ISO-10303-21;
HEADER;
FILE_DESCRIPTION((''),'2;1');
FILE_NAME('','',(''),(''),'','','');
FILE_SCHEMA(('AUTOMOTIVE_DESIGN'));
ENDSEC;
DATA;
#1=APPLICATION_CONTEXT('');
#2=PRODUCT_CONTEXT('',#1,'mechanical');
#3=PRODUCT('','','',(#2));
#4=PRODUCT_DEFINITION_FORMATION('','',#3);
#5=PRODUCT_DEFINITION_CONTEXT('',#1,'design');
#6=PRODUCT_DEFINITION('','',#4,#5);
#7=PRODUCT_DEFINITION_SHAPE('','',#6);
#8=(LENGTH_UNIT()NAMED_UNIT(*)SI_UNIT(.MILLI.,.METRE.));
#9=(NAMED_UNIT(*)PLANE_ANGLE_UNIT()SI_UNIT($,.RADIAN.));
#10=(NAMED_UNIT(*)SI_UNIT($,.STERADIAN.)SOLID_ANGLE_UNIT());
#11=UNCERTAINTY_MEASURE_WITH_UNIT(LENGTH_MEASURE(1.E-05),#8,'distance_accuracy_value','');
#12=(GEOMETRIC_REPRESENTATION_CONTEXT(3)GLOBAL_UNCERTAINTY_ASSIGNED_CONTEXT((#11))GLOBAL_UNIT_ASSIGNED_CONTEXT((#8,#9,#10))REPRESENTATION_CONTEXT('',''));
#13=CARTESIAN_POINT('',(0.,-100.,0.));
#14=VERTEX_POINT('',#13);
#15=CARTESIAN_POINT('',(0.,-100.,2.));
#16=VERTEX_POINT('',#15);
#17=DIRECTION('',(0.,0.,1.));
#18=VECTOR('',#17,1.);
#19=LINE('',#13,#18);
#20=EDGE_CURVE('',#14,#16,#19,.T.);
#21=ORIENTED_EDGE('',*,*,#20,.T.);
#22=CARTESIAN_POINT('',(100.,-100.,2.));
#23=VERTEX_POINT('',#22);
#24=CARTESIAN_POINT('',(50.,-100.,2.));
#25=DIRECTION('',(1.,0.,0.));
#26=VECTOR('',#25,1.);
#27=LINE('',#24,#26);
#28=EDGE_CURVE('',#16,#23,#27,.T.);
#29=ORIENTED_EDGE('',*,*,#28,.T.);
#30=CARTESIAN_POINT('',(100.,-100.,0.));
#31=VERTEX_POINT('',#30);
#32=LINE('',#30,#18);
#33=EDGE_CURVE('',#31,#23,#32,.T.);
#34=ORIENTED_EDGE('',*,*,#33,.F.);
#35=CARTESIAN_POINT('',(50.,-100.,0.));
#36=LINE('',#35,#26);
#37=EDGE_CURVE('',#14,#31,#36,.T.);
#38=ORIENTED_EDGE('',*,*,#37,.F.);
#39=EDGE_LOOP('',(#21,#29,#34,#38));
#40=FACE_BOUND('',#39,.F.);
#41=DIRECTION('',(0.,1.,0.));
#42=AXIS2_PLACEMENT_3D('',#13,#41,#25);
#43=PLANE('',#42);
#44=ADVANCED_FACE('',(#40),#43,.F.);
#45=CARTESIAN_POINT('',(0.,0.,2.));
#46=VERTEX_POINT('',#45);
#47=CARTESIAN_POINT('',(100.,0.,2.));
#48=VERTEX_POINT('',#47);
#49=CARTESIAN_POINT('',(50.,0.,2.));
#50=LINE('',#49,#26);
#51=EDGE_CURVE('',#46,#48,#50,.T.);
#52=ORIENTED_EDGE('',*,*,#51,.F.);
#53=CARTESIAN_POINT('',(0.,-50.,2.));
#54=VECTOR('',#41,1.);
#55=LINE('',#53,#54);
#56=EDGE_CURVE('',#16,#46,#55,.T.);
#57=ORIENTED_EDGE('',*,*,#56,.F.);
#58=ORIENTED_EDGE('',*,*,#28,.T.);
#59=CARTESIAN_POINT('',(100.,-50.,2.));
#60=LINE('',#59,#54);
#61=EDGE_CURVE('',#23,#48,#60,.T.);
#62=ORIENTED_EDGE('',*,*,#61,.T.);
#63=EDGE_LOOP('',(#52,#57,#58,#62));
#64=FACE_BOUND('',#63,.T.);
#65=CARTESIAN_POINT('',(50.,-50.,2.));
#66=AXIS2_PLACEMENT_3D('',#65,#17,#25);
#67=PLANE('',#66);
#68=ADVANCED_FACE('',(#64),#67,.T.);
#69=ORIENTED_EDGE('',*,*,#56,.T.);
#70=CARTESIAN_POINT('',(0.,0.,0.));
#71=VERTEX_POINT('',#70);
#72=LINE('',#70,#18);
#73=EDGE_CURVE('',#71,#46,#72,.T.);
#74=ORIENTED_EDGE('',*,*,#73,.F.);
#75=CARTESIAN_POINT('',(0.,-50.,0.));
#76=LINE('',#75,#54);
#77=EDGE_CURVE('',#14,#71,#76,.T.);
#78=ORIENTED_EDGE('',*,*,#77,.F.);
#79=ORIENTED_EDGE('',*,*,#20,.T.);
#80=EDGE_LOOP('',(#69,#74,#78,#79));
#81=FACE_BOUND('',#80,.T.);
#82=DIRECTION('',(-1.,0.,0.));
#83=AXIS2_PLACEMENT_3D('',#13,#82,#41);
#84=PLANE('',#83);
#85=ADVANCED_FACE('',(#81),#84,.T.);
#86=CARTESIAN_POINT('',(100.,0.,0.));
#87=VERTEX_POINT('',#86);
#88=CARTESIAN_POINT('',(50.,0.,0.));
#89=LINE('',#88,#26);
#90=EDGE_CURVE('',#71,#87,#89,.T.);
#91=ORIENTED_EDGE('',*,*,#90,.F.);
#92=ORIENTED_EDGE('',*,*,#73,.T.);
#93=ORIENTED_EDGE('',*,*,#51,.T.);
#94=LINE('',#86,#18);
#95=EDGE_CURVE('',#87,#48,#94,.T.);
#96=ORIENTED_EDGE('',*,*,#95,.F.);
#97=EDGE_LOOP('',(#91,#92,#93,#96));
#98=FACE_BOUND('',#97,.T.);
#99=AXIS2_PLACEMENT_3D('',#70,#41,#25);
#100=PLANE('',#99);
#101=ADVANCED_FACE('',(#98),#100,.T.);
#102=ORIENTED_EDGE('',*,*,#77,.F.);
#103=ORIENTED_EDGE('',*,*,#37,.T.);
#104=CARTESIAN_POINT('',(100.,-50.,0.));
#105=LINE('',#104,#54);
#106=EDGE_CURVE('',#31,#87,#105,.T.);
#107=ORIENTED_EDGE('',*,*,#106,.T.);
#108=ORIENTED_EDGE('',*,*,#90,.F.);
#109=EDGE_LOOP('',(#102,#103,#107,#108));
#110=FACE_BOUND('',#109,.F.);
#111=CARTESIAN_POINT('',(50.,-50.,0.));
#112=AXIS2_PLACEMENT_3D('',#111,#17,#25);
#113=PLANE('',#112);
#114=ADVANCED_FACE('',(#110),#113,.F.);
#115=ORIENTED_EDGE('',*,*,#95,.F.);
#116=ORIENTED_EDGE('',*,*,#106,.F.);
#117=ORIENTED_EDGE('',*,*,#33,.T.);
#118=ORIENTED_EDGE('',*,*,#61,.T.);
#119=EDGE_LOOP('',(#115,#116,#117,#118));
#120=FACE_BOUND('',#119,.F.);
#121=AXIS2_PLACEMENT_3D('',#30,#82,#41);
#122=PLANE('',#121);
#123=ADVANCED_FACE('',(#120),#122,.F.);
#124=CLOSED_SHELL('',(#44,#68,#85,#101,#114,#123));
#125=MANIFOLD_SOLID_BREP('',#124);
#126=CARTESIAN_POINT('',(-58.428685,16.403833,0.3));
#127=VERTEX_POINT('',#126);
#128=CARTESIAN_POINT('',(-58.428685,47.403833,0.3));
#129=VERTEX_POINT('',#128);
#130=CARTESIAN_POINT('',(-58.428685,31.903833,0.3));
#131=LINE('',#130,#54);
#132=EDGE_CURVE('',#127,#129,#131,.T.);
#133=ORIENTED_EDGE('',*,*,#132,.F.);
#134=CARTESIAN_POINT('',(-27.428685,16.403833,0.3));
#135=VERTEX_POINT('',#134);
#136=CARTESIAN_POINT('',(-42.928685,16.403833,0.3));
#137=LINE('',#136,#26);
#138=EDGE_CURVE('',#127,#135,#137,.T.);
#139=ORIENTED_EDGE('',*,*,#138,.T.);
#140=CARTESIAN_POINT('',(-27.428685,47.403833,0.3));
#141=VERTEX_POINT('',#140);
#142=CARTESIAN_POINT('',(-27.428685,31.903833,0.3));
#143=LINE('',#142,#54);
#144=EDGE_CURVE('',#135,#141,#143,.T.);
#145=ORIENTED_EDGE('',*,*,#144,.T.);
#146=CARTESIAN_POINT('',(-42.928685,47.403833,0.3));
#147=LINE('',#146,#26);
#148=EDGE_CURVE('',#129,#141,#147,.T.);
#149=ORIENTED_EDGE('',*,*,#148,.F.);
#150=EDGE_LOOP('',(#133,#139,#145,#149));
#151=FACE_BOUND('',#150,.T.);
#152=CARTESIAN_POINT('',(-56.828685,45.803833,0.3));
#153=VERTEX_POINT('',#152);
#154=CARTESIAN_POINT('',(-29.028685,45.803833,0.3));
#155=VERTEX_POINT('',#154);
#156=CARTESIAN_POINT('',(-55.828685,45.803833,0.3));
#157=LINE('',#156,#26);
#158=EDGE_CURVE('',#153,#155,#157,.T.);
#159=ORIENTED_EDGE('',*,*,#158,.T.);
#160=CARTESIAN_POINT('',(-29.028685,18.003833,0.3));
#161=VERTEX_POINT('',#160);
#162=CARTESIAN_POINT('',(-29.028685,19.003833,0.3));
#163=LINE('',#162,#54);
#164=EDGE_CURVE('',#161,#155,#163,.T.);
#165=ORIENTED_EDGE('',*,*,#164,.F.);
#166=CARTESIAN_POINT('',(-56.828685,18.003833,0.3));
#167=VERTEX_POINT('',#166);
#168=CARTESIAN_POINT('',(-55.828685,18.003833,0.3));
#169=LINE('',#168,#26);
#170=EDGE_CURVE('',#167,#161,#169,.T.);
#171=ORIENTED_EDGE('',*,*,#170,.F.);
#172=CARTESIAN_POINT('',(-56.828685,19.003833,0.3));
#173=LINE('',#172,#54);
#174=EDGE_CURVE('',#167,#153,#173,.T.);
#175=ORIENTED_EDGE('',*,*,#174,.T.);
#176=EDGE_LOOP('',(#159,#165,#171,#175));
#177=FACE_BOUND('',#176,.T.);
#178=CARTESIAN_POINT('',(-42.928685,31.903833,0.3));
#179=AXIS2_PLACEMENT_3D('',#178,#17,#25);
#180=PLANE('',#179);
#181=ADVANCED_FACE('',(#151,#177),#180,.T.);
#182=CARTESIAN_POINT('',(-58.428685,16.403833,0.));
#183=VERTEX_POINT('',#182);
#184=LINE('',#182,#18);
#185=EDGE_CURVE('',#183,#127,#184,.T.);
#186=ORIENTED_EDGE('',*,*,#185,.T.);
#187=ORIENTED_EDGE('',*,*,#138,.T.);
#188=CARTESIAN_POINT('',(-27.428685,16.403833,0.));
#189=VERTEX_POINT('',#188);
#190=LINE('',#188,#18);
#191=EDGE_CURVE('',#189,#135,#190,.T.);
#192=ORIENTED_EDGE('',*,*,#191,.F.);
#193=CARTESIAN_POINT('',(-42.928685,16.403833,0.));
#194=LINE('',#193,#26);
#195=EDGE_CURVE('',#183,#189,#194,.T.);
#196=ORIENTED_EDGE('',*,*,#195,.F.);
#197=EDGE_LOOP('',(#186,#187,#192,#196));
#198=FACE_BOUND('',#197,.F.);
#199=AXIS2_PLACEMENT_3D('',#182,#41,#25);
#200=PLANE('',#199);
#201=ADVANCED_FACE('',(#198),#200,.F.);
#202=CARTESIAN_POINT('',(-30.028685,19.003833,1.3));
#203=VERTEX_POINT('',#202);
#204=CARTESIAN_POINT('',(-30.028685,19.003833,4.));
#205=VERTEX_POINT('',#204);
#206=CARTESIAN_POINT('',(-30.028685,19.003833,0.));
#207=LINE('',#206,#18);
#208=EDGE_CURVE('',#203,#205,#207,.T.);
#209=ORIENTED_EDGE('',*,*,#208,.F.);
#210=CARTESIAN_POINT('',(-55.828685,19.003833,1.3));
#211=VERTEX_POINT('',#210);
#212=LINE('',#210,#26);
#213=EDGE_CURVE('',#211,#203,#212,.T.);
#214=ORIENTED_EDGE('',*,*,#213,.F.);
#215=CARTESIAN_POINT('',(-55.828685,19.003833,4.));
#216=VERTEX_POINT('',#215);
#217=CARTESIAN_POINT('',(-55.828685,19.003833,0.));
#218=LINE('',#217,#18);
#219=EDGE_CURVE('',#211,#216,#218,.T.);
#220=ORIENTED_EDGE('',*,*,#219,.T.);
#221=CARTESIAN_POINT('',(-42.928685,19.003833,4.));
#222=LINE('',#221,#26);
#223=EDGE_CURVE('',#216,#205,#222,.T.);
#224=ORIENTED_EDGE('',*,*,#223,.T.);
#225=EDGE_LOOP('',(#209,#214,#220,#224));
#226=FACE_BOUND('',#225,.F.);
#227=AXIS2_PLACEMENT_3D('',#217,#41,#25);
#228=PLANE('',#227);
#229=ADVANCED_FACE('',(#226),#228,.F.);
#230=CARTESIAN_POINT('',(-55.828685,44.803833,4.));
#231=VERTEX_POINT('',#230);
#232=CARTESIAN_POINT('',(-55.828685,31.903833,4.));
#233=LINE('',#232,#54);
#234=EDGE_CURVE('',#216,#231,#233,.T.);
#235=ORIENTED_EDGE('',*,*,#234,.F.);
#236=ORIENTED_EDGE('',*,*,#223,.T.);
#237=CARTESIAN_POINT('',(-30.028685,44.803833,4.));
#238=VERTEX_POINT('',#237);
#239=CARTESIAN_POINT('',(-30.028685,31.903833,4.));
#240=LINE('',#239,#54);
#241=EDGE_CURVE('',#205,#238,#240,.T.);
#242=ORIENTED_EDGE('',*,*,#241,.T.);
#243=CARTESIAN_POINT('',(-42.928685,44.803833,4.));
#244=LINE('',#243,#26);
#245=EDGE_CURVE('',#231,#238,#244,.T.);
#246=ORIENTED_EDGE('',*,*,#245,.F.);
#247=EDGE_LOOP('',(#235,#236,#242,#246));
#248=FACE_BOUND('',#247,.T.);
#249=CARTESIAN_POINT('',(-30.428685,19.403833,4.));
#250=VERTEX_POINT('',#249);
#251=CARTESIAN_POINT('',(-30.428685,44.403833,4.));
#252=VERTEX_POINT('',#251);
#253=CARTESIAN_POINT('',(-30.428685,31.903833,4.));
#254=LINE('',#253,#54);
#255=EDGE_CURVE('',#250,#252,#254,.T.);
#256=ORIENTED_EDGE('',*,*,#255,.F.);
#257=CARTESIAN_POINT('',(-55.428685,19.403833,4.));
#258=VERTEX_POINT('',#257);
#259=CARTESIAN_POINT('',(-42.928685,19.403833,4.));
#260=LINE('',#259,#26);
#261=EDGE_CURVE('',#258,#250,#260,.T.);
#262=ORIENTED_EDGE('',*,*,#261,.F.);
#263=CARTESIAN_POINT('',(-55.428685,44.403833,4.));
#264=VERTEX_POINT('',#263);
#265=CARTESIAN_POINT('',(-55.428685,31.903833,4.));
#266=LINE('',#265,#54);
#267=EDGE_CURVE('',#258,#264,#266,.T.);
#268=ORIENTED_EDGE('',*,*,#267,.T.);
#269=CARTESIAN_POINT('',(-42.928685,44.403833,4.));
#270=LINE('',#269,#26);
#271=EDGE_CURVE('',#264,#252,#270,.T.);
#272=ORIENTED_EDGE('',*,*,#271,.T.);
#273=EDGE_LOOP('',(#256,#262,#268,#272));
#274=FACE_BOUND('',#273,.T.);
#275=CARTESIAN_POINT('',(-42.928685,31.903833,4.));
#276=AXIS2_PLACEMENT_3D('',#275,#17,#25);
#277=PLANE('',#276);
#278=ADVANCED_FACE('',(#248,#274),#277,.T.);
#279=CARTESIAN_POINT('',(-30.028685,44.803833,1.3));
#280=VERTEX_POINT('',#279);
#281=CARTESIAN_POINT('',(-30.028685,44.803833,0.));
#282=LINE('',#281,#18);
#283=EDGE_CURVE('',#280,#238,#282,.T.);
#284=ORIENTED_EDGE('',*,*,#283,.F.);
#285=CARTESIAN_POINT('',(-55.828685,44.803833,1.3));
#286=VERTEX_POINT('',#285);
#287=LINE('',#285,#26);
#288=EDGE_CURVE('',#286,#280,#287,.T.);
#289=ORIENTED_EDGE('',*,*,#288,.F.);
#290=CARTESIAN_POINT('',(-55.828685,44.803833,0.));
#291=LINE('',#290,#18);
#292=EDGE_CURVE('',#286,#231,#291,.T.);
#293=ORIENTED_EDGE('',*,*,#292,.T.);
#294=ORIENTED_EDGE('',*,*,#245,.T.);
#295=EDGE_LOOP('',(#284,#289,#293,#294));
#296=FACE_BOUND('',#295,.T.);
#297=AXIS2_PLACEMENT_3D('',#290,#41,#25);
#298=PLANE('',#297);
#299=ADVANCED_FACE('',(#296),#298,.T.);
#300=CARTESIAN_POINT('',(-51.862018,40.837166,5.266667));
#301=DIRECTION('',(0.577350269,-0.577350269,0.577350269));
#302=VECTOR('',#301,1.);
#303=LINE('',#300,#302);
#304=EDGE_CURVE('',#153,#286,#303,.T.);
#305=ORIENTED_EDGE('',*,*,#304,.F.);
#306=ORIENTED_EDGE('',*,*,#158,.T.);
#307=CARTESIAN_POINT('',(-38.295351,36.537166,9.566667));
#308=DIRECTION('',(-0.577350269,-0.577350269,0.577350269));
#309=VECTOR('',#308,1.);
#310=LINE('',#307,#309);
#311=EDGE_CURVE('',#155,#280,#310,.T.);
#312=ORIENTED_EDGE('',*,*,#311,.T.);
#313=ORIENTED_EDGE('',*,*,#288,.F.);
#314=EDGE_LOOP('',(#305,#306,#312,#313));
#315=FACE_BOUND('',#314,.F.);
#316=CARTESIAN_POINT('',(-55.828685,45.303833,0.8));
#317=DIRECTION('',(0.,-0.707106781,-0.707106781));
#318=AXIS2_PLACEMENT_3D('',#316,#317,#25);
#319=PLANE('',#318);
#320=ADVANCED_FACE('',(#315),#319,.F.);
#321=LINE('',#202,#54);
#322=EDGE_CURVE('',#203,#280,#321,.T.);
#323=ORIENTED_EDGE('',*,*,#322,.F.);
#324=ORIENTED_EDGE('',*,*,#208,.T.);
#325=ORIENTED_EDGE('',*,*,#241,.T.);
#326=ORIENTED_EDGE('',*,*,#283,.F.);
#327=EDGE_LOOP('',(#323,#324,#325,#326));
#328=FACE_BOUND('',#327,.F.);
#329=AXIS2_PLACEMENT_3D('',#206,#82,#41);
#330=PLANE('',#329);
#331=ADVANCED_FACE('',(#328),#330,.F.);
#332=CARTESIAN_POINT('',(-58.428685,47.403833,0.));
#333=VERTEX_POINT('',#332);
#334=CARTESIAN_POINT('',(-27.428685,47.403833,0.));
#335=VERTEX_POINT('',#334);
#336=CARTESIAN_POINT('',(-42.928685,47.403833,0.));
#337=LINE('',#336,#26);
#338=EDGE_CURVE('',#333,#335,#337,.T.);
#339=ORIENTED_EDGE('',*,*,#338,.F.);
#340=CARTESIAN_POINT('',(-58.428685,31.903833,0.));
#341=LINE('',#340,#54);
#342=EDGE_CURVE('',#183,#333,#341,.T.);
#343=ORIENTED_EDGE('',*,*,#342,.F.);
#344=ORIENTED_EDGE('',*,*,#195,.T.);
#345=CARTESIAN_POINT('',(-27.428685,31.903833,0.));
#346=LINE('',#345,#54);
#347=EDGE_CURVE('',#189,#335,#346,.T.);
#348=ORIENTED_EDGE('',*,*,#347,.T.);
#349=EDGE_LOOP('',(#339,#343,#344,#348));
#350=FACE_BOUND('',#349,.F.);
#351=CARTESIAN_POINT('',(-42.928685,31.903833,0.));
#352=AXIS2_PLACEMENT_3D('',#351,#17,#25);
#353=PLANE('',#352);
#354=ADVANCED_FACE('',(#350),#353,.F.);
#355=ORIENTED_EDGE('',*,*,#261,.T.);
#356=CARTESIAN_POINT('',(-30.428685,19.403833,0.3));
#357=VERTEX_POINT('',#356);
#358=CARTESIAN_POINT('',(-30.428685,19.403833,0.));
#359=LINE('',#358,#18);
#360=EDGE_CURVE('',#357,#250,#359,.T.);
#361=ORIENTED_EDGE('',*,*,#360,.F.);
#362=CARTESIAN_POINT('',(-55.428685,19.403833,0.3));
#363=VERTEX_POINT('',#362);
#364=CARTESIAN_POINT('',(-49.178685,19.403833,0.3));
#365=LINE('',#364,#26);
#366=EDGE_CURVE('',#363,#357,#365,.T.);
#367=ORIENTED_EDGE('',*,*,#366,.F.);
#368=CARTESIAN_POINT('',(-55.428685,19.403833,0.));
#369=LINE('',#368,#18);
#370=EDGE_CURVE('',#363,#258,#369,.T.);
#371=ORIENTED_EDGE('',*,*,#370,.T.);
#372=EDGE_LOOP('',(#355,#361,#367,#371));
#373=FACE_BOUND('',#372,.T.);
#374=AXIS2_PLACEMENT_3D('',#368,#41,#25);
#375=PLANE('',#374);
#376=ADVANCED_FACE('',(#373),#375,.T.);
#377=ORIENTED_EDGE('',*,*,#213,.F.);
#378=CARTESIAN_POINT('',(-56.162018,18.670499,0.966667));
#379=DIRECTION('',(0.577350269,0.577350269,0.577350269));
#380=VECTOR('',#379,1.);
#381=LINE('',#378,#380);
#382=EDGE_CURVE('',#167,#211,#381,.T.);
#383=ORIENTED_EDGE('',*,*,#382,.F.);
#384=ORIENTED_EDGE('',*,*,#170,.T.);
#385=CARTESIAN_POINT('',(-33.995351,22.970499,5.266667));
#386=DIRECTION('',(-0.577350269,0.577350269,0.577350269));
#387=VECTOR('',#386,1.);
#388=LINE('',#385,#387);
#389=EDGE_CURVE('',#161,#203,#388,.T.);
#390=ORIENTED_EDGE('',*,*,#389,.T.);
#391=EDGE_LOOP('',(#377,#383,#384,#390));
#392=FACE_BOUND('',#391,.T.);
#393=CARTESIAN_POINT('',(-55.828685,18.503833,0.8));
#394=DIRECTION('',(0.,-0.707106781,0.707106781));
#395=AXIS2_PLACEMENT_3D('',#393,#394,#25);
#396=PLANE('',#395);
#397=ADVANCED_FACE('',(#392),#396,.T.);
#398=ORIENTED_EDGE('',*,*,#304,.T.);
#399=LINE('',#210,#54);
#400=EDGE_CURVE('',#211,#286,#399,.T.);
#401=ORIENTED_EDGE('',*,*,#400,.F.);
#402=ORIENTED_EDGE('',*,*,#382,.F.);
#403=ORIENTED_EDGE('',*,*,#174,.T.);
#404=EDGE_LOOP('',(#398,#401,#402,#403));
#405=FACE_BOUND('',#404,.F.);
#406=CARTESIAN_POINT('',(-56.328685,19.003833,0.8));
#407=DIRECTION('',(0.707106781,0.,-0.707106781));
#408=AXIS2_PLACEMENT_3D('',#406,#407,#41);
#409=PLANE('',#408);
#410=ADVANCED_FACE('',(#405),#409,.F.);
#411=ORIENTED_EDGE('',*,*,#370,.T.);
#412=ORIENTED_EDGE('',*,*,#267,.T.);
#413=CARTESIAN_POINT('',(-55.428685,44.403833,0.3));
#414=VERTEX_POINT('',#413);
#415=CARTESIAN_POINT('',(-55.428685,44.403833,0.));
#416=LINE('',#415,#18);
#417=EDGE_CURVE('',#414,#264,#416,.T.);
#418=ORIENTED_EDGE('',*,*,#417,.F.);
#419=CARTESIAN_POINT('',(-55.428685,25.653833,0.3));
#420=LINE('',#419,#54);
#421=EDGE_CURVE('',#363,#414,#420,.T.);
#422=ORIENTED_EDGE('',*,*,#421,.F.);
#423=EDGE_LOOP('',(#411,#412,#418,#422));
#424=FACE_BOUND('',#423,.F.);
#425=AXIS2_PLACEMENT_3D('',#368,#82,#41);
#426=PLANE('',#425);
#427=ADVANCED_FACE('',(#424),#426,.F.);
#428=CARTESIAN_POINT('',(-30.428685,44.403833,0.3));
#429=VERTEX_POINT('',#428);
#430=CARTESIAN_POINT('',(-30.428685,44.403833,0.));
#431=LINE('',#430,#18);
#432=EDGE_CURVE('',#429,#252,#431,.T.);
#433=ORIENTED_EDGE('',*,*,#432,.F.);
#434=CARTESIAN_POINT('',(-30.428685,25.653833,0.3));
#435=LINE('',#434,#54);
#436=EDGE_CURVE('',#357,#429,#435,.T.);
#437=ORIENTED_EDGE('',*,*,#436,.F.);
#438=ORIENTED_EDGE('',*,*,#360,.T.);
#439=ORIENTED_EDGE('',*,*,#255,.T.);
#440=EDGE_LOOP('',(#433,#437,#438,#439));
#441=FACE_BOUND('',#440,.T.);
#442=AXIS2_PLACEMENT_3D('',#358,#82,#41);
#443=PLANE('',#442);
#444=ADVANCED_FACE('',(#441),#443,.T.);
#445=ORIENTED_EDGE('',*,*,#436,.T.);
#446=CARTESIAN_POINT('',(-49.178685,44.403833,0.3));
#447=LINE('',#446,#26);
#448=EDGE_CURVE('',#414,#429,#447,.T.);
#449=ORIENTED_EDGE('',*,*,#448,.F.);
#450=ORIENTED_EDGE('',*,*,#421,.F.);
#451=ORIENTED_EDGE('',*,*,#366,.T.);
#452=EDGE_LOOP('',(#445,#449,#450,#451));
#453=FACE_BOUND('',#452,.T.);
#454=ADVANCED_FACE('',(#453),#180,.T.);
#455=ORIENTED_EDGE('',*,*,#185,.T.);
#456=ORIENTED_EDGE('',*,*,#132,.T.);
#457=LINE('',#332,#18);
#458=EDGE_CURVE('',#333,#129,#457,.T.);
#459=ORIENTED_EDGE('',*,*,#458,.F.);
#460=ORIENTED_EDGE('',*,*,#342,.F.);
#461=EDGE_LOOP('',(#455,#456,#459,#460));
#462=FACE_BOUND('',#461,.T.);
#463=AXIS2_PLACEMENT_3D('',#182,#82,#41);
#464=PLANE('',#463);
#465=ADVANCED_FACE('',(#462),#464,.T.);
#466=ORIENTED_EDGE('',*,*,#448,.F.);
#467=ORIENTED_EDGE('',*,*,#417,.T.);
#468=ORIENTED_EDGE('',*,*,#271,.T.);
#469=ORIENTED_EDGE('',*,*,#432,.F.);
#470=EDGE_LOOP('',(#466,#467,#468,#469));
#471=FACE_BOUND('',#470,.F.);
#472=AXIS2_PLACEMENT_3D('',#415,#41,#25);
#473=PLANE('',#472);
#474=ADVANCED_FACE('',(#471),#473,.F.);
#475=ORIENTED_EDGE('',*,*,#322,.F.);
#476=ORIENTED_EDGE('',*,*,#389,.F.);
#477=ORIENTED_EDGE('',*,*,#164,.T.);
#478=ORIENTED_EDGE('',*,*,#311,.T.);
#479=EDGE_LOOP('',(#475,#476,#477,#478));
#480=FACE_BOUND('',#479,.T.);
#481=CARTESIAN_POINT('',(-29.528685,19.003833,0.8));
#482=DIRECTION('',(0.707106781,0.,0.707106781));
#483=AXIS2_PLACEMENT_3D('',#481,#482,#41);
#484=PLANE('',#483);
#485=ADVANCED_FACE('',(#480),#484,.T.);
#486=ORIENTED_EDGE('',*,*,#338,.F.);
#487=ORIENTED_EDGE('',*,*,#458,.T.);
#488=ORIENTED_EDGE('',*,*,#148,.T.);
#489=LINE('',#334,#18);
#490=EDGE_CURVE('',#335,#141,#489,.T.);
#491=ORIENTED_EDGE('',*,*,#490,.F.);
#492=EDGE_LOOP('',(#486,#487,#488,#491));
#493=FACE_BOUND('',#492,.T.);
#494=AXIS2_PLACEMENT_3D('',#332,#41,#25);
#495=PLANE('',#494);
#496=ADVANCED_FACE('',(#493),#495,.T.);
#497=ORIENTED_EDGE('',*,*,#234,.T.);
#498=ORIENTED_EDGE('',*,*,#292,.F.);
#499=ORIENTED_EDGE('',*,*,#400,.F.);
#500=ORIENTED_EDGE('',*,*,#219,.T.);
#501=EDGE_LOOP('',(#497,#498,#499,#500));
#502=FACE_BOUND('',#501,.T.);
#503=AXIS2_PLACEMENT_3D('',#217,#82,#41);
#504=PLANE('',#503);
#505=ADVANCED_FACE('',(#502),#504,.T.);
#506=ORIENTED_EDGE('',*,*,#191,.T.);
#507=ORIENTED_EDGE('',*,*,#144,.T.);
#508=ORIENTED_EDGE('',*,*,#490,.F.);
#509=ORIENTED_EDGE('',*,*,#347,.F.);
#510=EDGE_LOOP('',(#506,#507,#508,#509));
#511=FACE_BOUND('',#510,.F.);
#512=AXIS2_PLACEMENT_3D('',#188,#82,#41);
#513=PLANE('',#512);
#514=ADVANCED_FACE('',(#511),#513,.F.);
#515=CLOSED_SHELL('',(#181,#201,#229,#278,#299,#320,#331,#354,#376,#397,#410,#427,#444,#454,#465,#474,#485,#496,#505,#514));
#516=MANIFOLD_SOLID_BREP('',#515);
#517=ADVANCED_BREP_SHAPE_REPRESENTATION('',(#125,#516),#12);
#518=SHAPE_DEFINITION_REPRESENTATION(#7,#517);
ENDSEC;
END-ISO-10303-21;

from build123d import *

# Parameters (mm, degrees)
F0_W     = 100
F0_H     = 100
F1_DEPTH = 2
F2_W     = 25.8
F2_H     = 25.8
F2_W_2   = 25
F2_H_2   = 25
F3_DEPTH = 4
F2_W_3   = 31
F2_H_3   = 31
F4_DEPTH = 0.3
F5_SIZE  = 1


with BuildPart() as f1:
    # F0 (on Top) → F1 (new body)
    with BuildSketch(Plane.XY):
        with Locations((50, -50)):
            Rectangle(F0_W, F0_H)
    extrude(amount=F1_DEPTH)


with BuildPart() as f3:
    # F2 (on Top) → F3 (new body)
    with BuildSketch(Plane.XY):
        with Locations((-42.9286845028, 31.9038328333)):
            Rectangle(F2_W, F2_H)
        with Locations((-42.9286845028, 31.9038328333)):
            Rectangle(F2_W_2, F2_H_2, mode=Mode.SUBTRACT)
    extrude(amount=F3_DEPTH)

    # F2 (on Top) → F4 (join)
    with BuildSketch(Plane.XY):
        with Locations((-42.9286845028, 31.9038328333)):
            Rectangle(F2_W_3, F2_H_3)
        with Locations((-42.9286845028, 31.9038328333)):
            Rectangle(F2_W, F2_H, mode=Mode.SUBTRACT)
        with Locations((-42.9286845028, 31.9038328333)):
            Rectangle(F2_W, F2_H)
        with Locations((-42.9286845028, 31.9038328333)):
            Rectangle(F2_W_2, F2_H_2, mode=Mode.SUBTRACT)
        with Locations((-42.9286845028, 31.9038328333)):
            Rectangle(F2_W_2, F2_H_2)
    extrude(amount=F4_DEPTH)

    # F5
    f5_edges = [f3.edges().sort_by_distance(p)[0] for p in [
        (-42.928685, 44.803833, 0.3),
        (-30.028685, 31.903833, 0.3),
        (-55.828685, 31.903833, 0.3),
        (-42.928685, 19.003833, 0.3),
    ]]
    chamfer(f5_edges, length=F5_SIZE)


solid = Compound([f1.part, f3.part])
